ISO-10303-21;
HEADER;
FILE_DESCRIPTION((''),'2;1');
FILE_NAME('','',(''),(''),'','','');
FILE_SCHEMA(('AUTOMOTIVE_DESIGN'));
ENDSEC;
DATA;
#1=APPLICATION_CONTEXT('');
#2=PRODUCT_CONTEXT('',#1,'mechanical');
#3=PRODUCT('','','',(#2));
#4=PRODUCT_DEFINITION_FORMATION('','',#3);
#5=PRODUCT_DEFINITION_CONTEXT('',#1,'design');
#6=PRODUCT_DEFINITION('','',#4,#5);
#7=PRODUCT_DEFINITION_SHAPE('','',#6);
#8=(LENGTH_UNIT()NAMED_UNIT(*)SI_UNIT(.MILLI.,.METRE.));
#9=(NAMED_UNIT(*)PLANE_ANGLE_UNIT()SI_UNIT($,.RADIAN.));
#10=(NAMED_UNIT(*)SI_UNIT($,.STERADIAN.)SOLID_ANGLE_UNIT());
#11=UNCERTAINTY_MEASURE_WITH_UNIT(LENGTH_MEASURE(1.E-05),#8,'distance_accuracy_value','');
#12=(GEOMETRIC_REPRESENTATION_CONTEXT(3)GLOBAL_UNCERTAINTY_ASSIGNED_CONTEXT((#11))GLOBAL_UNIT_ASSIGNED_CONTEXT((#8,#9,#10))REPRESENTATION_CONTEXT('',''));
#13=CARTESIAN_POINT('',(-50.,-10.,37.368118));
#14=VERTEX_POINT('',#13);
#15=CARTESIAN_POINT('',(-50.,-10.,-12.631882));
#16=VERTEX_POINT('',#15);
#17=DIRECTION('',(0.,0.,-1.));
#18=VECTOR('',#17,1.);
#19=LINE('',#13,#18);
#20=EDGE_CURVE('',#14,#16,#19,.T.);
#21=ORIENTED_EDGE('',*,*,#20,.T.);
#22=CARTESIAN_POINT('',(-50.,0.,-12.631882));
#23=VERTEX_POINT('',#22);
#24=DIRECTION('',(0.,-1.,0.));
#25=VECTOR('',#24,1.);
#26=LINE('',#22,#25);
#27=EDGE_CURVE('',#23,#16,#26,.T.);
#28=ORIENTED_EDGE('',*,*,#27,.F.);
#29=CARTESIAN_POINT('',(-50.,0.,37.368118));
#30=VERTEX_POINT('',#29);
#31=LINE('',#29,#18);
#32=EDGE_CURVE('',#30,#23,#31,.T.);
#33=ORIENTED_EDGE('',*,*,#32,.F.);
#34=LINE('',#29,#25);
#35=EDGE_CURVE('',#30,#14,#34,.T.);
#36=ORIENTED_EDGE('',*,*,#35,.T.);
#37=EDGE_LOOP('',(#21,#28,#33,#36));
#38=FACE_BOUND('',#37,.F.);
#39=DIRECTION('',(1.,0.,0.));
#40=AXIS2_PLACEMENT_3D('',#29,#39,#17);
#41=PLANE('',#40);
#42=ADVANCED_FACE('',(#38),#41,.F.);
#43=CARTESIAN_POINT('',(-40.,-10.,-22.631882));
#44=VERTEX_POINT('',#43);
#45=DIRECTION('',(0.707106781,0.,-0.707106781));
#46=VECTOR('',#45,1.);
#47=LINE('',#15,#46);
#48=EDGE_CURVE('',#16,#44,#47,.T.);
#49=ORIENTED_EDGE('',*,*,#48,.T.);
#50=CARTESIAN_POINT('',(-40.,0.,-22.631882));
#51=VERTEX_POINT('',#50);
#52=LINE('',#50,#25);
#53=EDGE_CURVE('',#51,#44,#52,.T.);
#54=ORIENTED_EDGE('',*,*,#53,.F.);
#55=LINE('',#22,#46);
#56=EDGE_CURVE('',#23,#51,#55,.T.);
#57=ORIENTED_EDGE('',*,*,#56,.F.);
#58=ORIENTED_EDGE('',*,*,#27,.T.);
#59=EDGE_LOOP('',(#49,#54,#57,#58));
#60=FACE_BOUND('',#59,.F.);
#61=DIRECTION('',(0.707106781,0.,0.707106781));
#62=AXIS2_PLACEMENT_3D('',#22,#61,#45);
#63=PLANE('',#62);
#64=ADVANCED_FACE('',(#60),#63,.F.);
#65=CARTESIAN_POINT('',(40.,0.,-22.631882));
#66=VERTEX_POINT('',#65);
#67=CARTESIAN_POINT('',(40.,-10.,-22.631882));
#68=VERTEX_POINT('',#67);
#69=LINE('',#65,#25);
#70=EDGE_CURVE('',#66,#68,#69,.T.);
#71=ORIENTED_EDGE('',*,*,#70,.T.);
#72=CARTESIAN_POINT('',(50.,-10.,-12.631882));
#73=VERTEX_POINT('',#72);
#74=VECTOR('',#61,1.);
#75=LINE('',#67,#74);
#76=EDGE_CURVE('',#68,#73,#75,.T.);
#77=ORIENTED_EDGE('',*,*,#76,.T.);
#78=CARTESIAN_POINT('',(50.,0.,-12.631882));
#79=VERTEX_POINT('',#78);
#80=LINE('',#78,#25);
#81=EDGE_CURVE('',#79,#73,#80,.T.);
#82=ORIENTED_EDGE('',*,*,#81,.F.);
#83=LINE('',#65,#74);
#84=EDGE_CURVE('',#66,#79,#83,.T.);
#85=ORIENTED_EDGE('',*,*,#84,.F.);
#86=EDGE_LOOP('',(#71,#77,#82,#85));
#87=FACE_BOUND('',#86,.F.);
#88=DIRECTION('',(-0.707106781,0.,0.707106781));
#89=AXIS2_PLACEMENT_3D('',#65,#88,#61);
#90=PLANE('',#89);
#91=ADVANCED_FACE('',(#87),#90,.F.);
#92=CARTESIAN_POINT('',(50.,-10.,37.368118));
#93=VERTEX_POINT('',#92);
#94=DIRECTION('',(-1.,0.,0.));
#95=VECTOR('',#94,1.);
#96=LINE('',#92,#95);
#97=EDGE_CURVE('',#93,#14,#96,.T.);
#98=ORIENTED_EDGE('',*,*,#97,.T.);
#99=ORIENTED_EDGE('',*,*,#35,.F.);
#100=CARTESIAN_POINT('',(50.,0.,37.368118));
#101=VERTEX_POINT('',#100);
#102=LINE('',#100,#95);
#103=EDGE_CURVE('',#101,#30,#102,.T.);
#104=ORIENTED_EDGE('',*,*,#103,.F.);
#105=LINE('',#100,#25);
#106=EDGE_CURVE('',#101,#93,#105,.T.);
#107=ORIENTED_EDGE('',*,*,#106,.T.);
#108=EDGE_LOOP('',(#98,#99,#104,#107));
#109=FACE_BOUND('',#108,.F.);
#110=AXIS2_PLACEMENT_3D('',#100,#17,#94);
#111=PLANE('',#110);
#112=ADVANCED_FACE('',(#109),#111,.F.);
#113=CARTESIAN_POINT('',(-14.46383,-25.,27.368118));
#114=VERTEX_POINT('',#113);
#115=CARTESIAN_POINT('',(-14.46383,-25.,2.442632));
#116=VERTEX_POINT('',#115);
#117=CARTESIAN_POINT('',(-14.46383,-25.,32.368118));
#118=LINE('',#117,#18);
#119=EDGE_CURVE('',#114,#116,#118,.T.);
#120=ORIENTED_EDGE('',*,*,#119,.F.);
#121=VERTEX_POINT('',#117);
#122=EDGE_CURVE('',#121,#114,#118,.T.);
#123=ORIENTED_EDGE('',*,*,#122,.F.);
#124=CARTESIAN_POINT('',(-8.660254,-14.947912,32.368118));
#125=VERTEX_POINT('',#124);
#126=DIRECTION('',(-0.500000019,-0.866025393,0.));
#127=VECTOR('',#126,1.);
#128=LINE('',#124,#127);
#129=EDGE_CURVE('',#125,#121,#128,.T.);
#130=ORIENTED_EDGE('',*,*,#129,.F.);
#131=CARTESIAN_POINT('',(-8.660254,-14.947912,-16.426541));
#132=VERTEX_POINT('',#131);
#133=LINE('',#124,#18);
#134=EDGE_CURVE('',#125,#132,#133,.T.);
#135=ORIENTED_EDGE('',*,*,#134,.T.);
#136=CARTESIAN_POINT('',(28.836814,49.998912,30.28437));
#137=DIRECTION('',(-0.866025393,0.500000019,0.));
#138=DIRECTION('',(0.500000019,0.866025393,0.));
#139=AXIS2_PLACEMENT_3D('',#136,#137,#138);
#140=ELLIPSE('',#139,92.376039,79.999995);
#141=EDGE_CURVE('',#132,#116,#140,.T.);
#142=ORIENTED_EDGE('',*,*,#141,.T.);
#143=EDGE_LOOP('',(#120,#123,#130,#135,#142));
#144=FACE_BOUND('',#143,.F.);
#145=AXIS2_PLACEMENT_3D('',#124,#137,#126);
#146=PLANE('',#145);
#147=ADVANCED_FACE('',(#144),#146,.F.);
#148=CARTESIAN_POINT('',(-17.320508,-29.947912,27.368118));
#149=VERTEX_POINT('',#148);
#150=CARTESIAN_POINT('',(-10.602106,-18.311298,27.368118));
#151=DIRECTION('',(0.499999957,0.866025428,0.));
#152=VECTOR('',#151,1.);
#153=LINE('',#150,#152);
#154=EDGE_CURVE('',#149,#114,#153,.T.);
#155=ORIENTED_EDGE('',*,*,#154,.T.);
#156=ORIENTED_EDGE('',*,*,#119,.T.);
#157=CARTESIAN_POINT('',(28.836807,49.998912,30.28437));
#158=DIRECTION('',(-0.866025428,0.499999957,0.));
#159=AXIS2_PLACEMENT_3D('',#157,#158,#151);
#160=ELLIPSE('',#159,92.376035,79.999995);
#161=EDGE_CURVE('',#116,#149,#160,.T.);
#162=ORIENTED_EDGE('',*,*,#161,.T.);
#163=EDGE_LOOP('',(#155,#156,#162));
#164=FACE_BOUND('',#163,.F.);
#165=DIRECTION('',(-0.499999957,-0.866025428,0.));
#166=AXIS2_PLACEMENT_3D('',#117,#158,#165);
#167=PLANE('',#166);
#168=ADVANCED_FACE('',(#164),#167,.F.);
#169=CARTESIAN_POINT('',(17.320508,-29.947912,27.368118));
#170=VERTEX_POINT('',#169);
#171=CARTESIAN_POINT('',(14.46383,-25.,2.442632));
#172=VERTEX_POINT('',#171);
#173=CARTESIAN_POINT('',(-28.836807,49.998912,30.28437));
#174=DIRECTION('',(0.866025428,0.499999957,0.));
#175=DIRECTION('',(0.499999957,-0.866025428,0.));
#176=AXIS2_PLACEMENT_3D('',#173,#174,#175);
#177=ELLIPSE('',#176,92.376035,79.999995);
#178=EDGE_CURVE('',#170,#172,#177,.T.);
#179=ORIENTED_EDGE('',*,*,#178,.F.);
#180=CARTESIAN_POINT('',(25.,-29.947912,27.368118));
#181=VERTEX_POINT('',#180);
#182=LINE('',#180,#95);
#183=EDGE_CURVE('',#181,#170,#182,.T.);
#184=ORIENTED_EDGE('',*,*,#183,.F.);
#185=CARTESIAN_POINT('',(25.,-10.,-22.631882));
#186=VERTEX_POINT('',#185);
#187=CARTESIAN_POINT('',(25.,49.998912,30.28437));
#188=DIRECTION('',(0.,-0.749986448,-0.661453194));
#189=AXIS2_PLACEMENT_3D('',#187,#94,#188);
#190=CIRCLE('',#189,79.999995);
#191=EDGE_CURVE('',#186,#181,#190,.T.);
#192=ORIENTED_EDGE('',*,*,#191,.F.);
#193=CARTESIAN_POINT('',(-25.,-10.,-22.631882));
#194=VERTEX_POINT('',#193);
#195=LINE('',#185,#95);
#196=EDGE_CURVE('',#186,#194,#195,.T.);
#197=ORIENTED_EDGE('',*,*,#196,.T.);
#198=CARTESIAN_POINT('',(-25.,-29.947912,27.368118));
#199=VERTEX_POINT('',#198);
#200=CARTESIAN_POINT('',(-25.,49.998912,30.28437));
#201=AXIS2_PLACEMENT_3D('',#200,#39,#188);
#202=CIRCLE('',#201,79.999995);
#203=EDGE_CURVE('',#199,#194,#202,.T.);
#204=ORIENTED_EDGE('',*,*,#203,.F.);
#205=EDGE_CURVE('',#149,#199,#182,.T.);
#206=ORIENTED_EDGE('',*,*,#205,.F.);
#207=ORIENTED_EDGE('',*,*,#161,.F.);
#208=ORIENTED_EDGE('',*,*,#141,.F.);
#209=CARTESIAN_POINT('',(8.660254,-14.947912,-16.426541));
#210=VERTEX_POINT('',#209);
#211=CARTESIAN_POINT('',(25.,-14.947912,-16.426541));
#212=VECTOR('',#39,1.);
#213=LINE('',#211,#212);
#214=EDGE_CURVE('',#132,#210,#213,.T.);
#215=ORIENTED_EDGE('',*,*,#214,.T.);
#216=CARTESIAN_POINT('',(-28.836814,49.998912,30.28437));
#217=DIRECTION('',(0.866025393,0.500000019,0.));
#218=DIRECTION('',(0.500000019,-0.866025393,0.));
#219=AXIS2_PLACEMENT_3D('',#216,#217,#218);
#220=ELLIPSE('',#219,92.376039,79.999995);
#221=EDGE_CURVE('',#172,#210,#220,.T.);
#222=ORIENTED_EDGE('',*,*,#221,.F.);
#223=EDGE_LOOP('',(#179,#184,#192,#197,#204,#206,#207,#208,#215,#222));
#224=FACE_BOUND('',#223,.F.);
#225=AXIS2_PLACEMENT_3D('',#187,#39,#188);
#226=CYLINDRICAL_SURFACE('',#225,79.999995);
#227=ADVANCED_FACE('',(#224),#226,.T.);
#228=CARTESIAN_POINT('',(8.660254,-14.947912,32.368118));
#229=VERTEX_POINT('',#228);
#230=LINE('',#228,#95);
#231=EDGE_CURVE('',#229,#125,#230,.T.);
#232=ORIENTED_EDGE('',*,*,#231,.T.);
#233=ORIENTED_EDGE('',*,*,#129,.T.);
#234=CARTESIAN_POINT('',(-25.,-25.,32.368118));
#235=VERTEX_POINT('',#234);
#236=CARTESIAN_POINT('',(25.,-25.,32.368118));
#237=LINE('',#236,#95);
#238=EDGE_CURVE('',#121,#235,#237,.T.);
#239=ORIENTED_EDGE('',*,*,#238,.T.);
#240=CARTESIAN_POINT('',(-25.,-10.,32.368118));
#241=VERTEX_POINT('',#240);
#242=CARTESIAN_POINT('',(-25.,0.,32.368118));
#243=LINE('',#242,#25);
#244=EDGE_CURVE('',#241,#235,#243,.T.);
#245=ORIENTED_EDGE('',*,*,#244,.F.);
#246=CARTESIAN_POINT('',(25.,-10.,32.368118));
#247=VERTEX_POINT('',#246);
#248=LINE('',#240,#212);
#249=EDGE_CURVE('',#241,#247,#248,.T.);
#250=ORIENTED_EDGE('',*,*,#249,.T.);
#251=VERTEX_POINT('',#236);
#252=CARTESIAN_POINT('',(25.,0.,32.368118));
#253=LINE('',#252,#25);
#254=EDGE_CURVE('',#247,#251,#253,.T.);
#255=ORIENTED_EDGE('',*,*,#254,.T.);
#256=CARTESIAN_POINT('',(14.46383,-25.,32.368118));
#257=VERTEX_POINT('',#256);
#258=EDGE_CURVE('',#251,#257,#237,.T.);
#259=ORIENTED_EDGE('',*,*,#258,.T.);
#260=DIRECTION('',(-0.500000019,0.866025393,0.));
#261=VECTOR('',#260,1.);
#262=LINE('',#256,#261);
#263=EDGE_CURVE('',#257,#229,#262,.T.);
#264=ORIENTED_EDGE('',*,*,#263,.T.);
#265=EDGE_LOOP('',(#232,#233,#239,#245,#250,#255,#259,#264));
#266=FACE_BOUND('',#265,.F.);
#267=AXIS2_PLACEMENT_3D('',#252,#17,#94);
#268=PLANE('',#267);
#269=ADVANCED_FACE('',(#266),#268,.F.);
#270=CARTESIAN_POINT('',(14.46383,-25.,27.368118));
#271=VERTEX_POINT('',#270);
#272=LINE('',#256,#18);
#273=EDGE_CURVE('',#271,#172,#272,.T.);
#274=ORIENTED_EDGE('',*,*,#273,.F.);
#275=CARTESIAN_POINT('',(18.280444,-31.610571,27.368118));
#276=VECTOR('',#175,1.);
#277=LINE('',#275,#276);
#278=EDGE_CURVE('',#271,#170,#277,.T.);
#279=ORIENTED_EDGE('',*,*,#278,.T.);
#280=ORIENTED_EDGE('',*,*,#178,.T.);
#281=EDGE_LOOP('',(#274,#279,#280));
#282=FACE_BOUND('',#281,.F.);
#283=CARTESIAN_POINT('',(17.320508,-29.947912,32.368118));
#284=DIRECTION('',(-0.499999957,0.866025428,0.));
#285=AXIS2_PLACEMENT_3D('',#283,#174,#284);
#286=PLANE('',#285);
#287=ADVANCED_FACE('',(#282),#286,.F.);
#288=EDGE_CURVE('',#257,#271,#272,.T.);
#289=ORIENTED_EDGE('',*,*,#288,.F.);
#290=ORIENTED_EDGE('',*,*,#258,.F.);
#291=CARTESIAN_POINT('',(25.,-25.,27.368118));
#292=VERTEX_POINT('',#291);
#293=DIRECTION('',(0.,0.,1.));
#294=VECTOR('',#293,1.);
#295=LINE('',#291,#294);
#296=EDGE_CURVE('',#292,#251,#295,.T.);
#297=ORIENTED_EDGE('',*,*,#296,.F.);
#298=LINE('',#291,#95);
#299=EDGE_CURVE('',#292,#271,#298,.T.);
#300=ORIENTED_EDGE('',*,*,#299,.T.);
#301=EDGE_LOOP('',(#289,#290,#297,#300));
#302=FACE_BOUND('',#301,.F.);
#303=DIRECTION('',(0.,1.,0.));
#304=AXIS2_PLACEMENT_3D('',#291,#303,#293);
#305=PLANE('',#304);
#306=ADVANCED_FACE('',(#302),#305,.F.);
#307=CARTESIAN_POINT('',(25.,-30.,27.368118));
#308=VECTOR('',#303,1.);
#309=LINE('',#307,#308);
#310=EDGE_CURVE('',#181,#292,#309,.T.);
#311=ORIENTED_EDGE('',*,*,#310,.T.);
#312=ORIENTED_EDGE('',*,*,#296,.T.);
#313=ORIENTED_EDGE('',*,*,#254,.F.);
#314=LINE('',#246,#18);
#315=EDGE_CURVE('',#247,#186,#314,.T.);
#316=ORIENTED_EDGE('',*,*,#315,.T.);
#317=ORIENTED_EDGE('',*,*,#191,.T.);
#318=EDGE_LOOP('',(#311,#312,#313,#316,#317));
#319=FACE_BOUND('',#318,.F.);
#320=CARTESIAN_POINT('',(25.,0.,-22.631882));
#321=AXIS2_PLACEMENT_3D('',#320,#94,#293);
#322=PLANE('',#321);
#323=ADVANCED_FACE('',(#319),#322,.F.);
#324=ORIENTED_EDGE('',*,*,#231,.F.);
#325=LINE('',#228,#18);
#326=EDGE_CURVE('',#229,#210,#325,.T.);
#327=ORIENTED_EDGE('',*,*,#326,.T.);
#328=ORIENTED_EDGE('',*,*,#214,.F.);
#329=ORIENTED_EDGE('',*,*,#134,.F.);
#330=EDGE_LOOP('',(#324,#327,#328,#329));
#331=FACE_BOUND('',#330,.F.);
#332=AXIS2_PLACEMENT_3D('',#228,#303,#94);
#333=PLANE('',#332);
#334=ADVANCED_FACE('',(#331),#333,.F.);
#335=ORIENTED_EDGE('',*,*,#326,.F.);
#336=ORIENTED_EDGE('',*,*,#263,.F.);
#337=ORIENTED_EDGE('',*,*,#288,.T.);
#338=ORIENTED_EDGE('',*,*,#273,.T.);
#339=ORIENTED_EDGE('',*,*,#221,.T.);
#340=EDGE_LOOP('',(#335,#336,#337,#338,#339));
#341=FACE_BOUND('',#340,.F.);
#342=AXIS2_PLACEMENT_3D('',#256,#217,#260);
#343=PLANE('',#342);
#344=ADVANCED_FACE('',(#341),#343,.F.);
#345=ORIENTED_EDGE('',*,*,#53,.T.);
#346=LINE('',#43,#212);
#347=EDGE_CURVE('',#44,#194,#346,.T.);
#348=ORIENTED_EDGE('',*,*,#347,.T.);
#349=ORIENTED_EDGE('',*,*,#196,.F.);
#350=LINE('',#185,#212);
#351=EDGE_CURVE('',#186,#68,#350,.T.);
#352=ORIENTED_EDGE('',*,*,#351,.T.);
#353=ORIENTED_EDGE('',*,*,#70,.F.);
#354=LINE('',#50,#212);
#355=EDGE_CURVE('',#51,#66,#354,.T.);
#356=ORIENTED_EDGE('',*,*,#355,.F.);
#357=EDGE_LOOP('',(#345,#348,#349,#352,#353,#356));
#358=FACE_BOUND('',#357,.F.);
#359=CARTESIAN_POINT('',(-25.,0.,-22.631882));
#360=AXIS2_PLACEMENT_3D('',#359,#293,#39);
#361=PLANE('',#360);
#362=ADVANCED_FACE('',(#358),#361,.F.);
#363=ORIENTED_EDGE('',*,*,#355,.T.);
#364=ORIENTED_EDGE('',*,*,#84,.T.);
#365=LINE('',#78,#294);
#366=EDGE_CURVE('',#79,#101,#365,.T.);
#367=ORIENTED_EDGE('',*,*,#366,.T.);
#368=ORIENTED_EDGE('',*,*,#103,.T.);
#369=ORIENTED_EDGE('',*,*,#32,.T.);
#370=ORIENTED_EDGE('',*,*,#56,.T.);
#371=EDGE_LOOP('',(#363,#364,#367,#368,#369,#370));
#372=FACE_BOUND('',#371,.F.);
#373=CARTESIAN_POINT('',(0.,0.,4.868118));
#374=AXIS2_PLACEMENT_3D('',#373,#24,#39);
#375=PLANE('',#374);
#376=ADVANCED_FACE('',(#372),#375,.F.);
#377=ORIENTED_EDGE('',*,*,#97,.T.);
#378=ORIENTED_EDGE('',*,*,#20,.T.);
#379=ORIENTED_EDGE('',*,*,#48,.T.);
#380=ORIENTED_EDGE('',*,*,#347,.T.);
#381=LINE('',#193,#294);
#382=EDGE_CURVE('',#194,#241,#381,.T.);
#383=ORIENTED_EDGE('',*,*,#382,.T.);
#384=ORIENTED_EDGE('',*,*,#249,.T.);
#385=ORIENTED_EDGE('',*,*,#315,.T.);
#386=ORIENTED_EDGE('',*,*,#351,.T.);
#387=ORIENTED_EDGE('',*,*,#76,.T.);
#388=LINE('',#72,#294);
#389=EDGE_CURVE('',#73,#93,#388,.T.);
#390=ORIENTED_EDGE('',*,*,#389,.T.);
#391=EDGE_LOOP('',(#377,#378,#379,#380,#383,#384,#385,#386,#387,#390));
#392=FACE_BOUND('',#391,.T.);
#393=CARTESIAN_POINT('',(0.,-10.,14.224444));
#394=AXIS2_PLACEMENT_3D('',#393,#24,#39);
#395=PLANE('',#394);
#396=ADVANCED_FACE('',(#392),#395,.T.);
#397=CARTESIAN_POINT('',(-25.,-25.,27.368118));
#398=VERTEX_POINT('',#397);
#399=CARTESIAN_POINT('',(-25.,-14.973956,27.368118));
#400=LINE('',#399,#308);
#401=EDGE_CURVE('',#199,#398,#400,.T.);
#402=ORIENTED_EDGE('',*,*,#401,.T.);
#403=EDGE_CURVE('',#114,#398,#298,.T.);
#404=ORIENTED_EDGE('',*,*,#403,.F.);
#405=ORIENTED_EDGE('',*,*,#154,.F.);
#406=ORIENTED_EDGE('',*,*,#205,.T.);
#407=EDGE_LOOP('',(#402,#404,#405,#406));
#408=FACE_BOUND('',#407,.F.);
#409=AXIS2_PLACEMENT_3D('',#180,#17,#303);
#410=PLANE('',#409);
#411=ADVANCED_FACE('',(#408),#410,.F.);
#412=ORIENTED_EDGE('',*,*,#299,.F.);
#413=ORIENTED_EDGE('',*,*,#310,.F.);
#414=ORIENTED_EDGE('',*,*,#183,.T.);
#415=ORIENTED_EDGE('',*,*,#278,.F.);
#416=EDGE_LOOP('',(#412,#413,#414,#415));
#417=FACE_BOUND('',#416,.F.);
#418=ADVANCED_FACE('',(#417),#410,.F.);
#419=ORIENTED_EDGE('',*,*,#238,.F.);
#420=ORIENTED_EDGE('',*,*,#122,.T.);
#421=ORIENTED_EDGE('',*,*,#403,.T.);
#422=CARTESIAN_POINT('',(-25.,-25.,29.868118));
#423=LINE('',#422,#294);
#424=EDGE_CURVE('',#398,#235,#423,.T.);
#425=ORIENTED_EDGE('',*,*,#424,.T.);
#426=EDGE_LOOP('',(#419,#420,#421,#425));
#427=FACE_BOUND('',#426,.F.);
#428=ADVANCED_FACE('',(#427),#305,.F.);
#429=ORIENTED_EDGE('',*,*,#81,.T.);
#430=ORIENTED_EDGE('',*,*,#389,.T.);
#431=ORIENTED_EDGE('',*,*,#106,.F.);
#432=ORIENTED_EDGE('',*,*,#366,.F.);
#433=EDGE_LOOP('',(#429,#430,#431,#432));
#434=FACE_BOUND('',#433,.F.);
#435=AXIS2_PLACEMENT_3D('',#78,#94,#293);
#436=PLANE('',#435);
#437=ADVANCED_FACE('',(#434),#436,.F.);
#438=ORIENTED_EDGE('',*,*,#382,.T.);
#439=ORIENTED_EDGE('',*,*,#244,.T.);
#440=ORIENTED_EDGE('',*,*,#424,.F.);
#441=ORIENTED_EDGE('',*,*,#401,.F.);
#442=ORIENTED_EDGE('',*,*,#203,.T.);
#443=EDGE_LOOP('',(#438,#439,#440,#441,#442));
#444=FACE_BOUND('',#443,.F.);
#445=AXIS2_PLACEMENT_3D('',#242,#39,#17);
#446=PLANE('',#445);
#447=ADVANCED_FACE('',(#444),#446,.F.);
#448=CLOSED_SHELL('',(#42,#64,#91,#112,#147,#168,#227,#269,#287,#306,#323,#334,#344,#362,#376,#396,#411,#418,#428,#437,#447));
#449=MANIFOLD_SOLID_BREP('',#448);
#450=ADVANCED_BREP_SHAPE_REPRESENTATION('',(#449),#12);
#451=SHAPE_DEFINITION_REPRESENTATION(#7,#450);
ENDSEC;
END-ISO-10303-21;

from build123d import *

# Parameters (mm, degrees)
F1_DEPTH = 10
F2_DEPTH = 30
F4_DEPTH = 75.001
F6_DEPTH = 55.001


with BuildPart() as f1:
    # F0 (on Front) → F1 (new body)
    with BuildSketch(Plane.XZ):
        Polygon((50, 37.368118), (0, 37.368118), (-50, 37.368118), (-50, -12.631882), (-40, -22.631882), (-25, -22.631882), (-25, 32.368118), (25, 32.368118), (25, -22.631882), (40, -22.631882), (50, -12.631882), align=None)
    extrude(amount=F1_DEPTH)

    # F0 (on Front) → F2 (join)
    with BuildSketch(Plane.XZ):
        Polygon((-25, 32.368118), (-25, -22.631882), (0, -22.631882), (25, -22.631882), (25, 32.368118), align=None)
    extrude(amount=F2_DEPTH)

    # F3 (on face) → F4 (cut, through all)
    with BuildSketch(Plane.YZ.offset(25)):
        Polygon((-25, 32.368118), (-30, 32.368118), (-30, 27.368118), (-29.947912, 27.368118), (-25, 27.368118), align=None)
        with BuildLine():
            Line((-29.947912, 27.368118), (-30, 27.368118))
            Line((-30, 27.368118), (-30, -22.631882))
            Line((-30, -22.631882), (-10, -22.631882))
            ThreePointArc((-10, -22.631882), (-24.305881, 0.639861), (-29.947912, 27.368118))
        make_face()
    extrude(amount=-F4_DEPTH, mode=Mode.SUBTRACT)

    # F5 (on face) → F6 (cut, through all)
    with BuildSketch(Plane.XY.offset(32.368118)):
        Polygon((-14.46383, -25), (14.46383, -25), (8.660254, -14.947912), (-8.660254, -14.947912), align=None)
        Polygon((17.320508, -29.947912), (14.46383, -25), (-14.46383, -25), (-17.320508, -29.947912), (0, -29.947912), align=None)
    extrude(amount=-F6_DEPTH, mode=Mode.SUBTRACT)


solid = f1.part
